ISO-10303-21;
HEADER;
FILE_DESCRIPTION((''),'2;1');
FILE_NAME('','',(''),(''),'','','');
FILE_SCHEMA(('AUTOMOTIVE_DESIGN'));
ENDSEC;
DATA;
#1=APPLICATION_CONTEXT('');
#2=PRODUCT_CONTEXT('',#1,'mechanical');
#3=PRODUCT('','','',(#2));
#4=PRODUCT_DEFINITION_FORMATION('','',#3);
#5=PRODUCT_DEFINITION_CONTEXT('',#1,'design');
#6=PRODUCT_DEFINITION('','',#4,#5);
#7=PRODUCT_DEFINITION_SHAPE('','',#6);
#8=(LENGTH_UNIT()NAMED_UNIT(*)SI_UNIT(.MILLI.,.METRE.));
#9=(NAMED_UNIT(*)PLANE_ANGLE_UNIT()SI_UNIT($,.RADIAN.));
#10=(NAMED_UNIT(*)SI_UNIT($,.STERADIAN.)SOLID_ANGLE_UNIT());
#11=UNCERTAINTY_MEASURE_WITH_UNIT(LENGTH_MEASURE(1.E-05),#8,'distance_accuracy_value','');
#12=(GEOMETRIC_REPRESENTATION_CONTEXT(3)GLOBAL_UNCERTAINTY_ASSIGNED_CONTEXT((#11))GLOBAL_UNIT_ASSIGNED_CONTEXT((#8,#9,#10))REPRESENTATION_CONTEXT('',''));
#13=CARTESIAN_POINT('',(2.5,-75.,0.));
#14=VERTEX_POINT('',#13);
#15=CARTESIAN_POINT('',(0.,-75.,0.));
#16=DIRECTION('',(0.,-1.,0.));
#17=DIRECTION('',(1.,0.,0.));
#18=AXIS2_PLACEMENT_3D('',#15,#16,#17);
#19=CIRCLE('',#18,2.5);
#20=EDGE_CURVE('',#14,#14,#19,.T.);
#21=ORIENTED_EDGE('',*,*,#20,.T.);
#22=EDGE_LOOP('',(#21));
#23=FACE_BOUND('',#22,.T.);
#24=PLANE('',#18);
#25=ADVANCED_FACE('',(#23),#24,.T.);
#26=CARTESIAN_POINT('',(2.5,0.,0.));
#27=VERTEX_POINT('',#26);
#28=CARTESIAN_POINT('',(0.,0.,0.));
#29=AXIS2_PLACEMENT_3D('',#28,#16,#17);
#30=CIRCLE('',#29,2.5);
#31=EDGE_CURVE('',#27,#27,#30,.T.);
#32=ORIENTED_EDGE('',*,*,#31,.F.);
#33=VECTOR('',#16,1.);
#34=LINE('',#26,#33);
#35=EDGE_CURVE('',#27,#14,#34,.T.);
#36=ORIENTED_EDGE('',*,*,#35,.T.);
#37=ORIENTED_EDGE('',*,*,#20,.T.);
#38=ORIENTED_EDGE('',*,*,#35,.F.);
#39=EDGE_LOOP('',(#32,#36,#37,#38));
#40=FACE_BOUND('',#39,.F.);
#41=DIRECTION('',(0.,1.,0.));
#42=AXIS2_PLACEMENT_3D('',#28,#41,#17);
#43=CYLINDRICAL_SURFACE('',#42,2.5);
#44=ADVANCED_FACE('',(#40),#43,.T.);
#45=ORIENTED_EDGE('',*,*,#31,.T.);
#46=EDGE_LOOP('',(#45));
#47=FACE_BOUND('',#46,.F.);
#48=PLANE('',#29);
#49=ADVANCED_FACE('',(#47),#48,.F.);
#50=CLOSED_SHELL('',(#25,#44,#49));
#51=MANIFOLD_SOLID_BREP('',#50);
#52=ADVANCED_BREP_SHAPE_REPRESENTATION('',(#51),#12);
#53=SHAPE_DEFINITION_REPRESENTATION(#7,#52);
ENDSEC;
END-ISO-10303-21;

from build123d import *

# Parameters (mm, degrees)
SKETCH_R  = 2.5
PAD_DEPTH = 75


with BuildPart() as part:
    # Sketch → Pad (new body)
    with BuildSketch(Plane.XZ):
        Circle(SKETCH_R)
    extrude(amount=PAD_DEPTH)


solid = part.part
